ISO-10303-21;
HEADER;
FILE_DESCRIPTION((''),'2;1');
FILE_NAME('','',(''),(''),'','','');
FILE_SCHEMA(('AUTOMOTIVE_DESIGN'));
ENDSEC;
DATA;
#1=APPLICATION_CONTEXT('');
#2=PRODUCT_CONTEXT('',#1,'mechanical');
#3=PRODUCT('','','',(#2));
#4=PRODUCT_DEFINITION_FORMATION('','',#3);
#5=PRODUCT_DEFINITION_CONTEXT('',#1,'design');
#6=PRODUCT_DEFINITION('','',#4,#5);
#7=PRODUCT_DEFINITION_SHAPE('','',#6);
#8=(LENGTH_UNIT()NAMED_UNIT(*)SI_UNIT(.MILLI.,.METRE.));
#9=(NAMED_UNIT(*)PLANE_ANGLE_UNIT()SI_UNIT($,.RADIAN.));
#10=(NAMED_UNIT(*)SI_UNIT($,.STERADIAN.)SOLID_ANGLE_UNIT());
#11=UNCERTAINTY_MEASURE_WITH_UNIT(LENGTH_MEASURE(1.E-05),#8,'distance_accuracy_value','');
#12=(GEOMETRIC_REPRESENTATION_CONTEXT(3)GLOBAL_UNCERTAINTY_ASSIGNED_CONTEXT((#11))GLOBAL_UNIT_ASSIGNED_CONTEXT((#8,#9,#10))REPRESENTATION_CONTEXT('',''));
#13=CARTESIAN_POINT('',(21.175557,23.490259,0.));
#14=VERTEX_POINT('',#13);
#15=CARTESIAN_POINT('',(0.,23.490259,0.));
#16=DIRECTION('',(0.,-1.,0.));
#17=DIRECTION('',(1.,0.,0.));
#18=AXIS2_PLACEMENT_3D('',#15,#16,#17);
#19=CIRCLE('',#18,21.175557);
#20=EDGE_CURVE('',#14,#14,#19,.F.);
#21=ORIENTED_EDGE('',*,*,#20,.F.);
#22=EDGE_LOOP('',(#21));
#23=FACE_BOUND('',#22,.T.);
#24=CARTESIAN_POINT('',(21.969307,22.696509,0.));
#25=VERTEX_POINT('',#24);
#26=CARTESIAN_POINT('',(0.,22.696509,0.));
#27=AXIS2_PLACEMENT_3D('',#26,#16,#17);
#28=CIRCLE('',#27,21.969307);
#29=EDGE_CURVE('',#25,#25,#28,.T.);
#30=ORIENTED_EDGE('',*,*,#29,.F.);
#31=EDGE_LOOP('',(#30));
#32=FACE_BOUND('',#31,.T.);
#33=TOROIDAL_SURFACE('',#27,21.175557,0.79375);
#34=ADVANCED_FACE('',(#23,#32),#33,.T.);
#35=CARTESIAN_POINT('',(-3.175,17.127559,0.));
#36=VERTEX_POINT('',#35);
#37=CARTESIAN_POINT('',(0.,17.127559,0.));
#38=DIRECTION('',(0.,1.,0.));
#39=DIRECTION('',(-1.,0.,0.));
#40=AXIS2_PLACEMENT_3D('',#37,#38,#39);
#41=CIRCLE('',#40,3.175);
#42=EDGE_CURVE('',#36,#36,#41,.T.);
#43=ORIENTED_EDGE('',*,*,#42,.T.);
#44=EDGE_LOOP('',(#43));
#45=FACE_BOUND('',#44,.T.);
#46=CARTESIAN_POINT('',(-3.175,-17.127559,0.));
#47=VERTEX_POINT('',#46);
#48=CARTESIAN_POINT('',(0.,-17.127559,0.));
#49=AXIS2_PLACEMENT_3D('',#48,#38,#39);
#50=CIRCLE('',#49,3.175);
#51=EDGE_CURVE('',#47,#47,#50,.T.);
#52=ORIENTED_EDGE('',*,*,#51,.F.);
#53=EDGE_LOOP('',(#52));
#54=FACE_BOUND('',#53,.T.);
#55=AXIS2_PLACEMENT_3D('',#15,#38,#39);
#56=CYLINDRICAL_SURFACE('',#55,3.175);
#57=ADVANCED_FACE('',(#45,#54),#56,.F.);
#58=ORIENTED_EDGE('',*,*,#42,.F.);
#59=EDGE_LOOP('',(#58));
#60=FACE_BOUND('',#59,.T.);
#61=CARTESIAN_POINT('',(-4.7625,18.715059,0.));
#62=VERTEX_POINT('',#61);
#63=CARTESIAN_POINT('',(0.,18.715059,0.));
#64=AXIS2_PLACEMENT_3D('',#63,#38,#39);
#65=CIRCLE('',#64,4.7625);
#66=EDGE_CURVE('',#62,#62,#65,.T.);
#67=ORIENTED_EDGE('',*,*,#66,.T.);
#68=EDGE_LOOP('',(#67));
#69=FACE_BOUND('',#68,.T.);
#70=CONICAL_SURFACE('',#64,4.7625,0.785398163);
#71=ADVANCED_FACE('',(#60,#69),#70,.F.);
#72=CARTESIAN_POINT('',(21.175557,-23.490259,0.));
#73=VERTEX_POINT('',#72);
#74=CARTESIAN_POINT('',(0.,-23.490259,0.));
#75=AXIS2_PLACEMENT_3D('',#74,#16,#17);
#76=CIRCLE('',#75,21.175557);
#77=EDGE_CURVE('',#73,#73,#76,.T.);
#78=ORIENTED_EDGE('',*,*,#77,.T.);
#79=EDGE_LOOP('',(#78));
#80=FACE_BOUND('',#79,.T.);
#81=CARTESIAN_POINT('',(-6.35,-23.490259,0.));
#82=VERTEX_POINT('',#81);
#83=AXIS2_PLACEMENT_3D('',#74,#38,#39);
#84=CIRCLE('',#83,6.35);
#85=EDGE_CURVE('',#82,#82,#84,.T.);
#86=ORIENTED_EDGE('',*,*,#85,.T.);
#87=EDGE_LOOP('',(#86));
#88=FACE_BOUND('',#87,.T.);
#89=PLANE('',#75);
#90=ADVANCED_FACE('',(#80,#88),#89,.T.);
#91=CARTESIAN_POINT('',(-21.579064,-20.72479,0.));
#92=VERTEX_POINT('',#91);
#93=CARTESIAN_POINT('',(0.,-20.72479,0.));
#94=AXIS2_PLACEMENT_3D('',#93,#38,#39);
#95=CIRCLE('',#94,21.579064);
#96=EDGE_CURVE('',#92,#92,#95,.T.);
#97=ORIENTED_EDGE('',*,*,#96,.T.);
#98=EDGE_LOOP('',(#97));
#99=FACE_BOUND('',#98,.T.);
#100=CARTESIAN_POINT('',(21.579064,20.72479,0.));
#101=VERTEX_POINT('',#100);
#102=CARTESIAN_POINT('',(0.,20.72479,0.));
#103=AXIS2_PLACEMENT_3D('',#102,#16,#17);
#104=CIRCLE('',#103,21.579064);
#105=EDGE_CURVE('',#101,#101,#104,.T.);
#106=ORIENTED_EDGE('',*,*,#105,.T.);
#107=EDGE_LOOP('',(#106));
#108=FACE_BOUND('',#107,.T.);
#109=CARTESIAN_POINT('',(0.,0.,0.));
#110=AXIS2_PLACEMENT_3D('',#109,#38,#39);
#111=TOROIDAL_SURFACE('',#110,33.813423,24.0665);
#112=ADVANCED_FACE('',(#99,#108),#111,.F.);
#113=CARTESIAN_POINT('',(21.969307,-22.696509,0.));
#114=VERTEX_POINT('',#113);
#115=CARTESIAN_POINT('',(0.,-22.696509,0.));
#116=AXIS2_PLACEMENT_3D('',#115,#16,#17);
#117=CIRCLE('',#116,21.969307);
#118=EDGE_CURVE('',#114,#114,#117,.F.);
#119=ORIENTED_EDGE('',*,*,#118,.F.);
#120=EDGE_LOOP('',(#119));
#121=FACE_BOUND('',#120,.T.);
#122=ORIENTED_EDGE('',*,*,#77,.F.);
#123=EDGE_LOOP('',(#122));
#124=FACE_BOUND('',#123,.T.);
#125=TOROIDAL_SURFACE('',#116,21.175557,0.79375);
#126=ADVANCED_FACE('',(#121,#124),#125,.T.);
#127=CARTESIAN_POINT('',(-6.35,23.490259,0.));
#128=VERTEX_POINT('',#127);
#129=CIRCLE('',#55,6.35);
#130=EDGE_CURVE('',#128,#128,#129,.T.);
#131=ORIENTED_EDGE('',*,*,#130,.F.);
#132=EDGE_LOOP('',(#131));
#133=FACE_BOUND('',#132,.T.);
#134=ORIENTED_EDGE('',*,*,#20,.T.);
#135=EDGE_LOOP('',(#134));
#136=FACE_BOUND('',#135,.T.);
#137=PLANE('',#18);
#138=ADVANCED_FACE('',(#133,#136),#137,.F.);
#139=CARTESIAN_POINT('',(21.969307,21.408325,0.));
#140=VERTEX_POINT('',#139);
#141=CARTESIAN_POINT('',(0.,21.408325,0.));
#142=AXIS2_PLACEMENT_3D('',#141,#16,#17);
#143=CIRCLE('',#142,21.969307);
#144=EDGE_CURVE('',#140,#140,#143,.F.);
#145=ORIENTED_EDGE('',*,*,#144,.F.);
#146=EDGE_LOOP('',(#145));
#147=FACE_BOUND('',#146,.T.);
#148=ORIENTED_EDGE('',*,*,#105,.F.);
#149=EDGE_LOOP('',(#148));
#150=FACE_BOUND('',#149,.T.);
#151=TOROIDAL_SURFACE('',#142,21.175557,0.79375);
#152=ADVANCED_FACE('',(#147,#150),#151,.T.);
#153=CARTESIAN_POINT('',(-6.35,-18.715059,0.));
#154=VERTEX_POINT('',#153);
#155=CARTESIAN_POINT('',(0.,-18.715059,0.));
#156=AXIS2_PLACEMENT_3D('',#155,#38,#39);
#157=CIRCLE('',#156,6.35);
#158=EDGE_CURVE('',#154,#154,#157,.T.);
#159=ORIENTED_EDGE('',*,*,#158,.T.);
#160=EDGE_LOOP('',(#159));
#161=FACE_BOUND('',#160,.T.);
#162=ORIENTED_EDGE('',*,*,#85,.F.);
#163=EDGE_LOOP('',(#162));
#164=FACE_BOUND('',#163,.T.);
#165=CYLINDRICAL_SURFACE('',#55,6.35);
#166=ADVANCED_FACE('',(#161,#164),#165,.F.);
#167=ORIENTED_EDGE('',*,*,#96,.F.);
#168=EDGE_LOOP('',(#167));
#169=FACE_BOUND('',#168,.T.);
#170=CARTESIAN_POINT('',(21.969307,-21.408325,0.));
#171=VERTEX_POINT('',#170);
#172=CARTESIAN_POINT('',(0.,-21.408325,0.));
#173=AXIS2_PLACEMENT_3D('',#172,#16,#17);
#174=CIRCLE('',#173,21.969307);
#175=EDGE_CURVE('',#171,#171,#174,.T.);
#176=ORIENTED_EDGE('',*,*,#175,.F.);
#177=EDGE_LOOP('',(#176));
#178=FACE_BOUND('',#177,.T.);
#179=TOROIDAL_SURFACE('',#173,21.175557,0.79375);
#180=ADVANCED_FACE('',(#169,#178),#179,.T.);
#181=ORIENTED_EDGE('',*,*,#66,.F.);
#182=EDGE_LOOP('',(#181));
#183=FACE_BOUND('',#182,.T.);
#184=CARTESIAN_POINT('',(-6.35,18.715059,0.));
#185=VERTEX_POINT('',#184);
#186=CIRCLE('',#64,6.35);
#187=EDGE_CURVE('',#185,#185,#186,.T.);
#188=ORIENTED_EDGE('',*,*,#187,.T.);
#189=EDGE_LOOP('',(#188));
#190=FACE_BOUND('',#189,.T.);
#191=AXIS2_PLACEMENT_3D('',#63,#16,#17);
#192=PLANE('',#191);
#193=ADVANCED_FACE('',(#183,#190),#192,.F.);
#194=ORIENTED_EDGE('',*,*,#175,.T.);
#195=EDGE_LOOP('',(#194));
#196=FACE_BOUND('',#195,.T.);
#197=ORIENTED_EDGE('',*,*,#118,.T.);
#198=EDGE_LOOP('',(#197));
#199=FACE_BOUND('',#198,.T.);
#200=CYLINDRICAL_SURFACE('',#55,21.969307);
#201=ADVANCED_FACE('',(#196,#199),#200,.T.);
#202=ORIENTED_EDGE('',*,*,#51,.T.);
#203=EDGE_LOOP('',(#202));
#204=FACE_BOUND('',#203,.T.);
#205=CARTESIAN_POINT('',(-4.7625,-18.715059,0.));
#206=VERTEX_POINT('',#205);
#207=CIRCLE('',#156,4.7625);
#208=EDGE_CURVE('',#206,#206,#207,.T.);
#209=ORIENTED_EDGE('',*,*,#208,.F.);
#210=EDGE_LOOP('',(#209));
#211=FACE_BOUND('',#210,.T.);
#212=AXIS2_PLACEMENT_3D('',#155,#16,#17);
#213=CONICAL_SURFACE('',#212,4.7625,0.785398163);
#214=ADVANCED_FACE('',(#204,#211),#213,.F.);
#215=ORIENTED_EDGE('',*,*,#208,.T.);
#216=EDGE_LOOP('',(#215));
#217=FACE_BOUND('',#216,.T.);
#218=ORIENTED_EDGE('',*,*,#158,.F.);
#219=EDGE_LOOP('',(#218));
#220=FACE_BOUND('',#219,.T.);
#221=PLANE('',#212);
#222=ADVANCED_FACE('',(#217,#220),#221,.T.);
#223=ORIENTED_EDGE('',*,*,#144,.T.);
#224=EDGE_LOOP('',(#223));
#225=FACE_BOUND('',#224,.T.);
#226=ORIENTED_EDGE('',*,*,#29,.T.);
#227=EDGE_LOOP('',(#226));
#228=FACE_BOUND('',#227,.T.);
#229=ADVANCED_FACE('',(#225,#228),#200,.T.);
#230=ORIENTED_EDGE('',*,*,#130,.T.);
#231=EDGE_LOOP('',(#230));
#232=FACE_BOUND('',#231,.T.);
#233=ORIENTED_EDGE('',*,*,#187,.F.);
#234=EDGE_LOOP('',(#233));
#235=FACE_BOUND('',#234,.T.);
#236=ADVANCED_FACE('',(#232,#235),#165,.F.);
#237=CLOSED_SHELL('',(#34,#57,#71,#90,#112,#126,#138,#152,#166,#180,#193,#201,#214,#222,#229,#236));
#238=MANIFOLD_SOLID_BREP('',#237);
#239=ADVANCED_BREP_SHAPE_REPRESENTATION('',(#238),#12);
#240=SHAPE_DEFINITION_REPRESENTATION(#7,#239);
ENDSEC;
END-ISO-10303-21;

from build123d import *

# Parameters (mm, degrees)
FILLET1_R = 0.79375


with BuildPart() as part:
    # Sketch1 → Revolve1 (revolve)
    with BuildSketch(Plane.XY):
        with BuildLine():
            Line((-6.35, 23.490258671), (-21.969306582, 23.490258671))
            Line((-21.969306582, 23.490258671), (-21.969306582, 20.950258671))
            ThreePointArc((-21.969306582, 20.950258671), (-13.025892187, 12.127448299), (-9.746922584, 0))
            ThreePointArc((-9.746922584, 0), (-13.025892187, -12.127448299), (-21.969306582, -20.950258671))
            Line((-21.969306582, -20.950258671), (-21.969306582, -23.490258671))
            Line((-21.969306582, -23.490258671), (-6.35, -23.490258671))
            Line((-6.35, -23.490258671), (-6.35, -18.715058671))
            Line((-6.35, -18.715058671), (-4.7625, -18.715058671))
            Line((-4.7625, -18.715058671), (-3.175, -17.127558671))
            Line((-3.175, -17.127558671), (-3.175, 17.127558671))
            Line((-3.175, 17.127558671), (-4.7625, 18.715058671))
            Line((-4.7625, 18.715058671), (-6.35, 18.715058671))
            Line((-6.35, 18.715058671), (-6.35, 23.490258671))
        make_face()
    revolve(axis=Axis((0, 23.490258671, 0), (0, -1, 0)))

    # Fillet1
    fillet1_edges = [part.edges().sort_by_distance(p)[0] for p in [
        (21.969306582, 20.950258671, 0),
        (21.969306582, 23.490258671, 0),
        (21.969306582, -23.490258671, 0),
        (21.969306582, -20.950258671, 0),
    ]]
    fillet(fillet1_edges, radius=FILLET1_R)


solid = part.part
